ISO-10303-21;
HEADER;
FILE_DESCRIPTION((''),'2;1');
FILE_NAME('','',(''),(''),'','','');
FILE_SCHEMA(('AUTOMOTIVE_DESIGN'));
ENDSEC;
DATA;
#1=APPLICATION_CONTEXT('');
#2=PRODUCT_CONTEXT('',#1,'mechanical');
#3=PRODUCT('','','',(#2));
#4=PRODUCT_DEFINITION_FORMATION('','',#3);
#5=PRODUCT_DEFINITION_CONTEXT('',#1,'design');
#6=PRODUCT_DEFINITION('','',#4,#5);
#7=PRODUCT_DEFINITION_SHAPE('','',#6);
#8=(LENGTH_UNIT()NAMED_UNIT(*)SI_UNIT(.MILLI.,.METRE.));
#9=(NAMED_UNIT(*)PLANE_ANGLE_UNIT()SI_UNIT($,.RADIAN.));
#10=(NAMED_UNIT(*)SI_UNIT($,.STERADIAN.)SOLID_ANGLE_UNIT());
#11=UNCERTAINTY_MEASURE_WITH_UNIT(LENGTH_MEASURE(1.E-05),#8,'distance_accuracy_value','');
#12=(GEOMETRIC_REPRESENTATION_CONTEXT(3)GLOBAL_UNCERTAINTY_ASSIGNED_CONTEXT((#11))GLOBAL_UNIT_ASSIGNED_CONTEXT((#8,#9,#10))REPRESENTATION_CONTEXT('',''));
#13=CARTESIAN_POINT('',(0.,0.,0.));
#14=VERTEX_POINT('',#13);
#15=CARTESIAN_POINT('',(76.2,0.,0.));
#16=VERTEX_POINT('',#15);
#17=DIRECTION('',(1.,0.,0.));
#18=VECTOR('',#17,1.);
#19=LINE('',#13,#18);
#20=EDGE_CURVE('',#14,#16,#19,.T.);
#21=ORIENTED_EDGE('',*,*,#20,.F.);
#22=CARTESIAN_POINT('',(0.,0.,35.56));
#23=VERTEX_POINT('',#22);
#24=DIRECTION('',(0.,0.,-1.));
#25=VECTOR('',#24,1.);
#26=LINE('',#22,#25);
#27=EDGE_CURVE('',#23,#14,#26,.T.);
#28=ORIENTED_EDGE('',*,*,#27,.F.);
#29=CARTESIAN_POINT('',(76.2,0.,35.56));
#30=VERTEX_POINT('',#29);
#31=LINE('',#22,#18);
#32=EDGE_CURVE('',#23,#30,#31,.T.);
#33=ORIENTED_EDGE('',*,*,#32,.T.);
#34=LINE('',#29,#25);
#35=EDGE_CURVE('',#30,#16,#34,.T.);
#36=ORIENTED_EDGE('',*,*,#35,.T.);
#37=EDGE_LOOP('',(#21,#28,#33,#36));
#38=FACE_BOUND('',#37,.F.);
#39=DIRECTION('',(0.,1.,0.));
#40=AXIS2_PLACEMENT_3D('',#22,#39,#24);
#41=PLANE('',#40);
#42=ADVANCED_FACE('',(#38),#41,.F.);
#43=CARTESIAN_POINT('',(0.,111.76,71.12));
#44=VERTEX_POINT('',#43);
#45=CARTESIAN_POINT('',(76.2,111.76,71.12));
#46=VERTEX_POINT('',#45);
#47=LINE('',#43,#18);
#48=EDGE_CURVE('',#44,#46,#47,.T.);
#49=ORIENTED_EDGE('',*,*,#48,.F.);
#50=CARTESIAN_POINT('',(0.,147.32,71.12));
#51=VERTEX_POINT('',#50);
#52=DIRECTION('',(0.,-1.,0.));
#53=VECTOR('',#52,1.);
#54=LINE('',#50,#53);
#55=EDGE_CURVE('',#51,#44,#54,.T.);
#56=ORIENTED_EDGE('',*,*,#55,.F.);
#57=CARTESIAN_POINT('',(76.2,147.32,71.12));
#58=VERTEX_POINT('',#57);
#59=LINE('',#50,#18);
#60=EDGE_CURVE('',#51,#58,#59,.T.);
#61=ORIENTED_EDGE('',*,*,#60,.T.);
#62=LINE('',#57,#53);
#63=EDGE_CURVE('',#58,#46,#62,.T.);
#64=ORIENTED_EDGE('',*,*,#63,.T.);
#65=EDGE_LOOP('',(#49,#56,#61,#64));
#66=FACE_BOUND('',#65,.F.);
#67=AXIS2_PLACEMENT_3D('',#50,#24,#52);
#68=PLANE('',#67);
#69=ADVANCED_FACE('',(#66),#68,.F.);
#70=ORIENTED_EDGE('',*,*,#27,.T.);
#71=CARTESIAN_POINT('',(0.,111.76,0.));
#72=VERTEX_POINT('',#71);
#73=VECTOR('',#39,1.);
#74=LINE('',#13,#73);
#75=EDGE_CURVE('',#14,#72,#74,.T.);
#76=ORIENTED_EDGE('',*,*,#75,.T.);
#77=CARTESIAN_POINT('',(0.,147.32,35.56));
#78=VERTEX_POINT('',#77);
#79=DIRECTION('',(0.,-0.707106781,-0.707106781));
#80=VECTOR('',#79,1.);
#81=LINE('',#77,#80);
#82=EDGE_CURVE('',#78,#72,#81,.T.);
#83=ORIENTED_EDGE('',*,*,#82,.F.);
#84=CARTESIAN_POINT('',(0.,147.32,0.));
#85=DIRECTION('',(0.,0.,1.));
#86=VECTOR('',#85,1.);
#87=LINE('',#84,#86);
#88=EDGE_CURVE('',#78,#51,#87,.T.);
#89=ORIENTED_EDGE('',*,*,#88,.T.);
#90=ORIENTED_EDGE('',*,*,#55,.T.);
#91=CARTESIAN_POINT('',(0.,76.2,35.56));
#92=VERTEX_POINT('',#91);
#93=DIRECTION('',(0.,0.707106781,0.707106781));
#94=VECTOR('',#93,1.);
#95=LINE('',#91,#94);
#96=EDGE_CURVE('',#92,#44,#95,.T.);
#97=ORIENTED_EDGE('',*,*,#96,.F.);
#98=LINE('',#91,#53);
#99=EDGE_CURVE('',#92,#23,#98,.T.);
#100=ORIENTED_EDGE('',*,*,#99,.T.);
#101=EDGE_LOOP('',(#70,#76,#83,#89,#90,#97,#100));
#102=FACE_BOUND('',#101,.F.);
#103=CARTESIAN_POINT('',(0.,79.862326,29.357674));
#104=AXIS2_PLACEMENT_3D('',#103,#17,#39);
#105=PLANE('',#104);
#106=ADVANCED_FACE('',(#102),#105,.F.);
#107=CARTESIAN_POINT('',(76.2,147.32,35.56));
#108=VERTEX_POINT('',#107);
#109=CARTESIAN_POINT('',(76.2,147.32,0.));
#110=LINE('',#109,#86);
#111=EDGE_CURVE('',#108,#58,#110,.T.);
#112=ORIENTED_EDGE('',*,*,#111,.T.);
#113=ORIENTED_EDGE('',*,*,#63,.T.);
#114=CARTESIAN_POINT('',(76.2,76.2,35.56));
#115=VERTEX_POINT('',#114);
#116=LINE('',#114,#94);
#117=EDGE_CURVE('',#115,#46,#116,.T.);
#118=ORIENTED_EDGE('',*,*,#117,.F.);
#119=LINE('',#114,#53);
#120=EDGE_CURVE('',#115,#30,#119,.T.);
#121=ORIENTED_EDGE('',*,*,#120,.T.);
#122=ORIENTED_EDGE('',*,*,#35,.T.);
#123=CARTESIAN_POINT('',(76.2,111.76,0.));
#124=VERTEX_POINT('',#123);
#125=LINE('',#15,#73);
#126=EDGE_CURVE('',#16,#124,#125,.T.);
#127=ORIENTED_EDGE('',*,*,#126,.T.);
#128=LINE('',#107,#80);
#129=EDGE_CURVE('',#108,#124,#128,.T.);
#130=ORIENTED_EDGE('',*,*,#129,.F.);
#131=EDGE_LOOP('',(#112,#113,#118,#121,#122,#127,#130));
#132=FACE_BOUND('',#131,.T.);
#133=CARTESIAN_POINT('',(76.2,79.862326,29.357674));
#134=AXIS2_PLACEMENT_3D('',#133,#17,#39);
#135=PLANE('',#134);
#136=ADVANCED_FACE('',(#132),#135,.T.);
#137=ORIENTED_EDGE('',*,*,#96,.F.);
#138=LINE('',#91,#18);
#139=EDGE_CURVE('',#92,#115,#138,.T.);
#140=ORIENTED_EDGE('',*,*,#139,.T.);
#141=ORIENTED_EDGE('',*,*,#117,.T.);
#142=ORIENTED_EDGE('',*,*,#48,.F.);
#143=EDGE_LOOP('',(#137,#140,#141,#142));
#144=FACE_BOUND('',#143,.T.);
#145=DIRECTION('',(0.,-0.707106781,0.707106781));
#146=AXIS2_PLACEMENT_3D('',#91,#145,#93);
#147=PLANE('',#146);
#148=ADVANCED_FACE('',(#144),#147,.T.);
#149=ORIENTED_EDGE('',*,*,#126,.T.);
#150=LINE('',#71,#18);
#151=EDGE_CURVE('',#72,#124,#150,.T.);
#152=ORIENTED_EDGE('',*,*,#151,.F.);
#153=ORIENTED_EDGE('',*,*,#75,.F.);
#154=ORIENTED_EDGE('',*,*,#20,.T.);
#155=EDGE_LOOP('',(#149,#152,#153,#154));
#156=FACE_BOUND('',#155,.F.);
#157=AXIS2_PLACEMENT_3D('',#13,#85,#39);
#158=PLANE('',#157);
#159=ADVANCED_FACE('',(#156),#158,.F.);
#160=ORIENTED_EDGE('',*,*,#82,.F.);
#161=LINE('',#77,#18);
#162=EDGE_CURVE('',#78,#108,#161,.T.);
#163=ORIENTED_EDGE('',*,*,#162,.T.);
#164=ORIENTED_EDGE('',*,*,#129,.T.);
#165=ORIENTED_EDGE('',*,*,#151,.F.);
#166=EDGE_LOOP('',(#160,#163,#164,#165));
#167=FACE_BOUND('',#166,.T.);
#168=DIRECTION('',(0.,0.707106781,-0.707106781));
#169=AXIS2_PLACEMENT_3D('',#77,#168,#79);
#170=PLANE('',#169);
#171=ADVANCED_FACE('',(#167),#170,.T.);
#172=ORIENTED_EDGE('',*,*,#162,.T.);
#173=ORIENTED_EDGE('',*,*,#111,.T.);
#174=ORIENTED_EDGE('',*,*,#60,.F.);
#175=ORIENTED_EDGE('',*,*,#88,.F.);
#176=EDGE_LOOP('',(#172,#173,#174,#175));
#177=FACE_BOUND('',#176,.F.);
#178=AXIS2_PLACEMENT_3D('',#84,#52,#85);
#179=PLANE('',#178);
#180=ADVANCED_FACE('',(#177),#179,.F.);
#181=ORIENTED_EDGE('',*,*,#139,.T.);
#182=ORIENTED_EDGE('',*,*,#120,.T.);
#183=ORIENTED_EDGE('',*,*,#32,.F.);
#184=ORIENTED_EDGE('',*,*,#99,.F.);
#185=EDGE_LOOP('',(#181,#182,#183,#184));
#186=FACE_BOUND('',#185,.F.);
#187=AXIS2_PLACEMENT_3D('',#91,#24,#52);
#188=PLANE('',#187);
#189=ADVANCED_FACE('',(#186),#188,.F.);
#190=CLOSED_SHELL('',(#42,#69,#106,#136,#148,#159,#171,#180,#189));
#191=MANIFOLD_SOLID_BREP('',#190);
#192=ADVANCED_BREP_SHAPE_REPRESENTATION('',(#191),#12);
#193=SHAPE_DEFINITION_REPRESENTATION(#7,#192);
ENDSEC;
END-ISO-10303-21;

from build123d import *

# Parameters (mm, degrees)
F1_DEPTH = 76.2
F3_DEPTH = 76.2


with BuildPart() as f1:
    # F0 (on Right) → F1 (new body)
    with BuildSketch(Plane.YZ):
        Polygon((0, 35.56), (0, 0), (147.32, 0), (147.32, 71.12), (76.2, 71.12), (76.2, 35.56), align=None)
    extrude(amount=F1_DEPTH)

    # F2 (on Right) → F3 (cut)
    with BuildSketch(Plane.YZ):
        Polygon((147.32, 35.56), (111.76, 0), (147.32, 0), align=None)
        Polygon((76.2, 71.12), (76.2, 35.56), (111.76, 71.12), align=None)
    extrude(amount=F3_DEPTH, mode=Mode.SUBTRACT)


solid = f1.part
